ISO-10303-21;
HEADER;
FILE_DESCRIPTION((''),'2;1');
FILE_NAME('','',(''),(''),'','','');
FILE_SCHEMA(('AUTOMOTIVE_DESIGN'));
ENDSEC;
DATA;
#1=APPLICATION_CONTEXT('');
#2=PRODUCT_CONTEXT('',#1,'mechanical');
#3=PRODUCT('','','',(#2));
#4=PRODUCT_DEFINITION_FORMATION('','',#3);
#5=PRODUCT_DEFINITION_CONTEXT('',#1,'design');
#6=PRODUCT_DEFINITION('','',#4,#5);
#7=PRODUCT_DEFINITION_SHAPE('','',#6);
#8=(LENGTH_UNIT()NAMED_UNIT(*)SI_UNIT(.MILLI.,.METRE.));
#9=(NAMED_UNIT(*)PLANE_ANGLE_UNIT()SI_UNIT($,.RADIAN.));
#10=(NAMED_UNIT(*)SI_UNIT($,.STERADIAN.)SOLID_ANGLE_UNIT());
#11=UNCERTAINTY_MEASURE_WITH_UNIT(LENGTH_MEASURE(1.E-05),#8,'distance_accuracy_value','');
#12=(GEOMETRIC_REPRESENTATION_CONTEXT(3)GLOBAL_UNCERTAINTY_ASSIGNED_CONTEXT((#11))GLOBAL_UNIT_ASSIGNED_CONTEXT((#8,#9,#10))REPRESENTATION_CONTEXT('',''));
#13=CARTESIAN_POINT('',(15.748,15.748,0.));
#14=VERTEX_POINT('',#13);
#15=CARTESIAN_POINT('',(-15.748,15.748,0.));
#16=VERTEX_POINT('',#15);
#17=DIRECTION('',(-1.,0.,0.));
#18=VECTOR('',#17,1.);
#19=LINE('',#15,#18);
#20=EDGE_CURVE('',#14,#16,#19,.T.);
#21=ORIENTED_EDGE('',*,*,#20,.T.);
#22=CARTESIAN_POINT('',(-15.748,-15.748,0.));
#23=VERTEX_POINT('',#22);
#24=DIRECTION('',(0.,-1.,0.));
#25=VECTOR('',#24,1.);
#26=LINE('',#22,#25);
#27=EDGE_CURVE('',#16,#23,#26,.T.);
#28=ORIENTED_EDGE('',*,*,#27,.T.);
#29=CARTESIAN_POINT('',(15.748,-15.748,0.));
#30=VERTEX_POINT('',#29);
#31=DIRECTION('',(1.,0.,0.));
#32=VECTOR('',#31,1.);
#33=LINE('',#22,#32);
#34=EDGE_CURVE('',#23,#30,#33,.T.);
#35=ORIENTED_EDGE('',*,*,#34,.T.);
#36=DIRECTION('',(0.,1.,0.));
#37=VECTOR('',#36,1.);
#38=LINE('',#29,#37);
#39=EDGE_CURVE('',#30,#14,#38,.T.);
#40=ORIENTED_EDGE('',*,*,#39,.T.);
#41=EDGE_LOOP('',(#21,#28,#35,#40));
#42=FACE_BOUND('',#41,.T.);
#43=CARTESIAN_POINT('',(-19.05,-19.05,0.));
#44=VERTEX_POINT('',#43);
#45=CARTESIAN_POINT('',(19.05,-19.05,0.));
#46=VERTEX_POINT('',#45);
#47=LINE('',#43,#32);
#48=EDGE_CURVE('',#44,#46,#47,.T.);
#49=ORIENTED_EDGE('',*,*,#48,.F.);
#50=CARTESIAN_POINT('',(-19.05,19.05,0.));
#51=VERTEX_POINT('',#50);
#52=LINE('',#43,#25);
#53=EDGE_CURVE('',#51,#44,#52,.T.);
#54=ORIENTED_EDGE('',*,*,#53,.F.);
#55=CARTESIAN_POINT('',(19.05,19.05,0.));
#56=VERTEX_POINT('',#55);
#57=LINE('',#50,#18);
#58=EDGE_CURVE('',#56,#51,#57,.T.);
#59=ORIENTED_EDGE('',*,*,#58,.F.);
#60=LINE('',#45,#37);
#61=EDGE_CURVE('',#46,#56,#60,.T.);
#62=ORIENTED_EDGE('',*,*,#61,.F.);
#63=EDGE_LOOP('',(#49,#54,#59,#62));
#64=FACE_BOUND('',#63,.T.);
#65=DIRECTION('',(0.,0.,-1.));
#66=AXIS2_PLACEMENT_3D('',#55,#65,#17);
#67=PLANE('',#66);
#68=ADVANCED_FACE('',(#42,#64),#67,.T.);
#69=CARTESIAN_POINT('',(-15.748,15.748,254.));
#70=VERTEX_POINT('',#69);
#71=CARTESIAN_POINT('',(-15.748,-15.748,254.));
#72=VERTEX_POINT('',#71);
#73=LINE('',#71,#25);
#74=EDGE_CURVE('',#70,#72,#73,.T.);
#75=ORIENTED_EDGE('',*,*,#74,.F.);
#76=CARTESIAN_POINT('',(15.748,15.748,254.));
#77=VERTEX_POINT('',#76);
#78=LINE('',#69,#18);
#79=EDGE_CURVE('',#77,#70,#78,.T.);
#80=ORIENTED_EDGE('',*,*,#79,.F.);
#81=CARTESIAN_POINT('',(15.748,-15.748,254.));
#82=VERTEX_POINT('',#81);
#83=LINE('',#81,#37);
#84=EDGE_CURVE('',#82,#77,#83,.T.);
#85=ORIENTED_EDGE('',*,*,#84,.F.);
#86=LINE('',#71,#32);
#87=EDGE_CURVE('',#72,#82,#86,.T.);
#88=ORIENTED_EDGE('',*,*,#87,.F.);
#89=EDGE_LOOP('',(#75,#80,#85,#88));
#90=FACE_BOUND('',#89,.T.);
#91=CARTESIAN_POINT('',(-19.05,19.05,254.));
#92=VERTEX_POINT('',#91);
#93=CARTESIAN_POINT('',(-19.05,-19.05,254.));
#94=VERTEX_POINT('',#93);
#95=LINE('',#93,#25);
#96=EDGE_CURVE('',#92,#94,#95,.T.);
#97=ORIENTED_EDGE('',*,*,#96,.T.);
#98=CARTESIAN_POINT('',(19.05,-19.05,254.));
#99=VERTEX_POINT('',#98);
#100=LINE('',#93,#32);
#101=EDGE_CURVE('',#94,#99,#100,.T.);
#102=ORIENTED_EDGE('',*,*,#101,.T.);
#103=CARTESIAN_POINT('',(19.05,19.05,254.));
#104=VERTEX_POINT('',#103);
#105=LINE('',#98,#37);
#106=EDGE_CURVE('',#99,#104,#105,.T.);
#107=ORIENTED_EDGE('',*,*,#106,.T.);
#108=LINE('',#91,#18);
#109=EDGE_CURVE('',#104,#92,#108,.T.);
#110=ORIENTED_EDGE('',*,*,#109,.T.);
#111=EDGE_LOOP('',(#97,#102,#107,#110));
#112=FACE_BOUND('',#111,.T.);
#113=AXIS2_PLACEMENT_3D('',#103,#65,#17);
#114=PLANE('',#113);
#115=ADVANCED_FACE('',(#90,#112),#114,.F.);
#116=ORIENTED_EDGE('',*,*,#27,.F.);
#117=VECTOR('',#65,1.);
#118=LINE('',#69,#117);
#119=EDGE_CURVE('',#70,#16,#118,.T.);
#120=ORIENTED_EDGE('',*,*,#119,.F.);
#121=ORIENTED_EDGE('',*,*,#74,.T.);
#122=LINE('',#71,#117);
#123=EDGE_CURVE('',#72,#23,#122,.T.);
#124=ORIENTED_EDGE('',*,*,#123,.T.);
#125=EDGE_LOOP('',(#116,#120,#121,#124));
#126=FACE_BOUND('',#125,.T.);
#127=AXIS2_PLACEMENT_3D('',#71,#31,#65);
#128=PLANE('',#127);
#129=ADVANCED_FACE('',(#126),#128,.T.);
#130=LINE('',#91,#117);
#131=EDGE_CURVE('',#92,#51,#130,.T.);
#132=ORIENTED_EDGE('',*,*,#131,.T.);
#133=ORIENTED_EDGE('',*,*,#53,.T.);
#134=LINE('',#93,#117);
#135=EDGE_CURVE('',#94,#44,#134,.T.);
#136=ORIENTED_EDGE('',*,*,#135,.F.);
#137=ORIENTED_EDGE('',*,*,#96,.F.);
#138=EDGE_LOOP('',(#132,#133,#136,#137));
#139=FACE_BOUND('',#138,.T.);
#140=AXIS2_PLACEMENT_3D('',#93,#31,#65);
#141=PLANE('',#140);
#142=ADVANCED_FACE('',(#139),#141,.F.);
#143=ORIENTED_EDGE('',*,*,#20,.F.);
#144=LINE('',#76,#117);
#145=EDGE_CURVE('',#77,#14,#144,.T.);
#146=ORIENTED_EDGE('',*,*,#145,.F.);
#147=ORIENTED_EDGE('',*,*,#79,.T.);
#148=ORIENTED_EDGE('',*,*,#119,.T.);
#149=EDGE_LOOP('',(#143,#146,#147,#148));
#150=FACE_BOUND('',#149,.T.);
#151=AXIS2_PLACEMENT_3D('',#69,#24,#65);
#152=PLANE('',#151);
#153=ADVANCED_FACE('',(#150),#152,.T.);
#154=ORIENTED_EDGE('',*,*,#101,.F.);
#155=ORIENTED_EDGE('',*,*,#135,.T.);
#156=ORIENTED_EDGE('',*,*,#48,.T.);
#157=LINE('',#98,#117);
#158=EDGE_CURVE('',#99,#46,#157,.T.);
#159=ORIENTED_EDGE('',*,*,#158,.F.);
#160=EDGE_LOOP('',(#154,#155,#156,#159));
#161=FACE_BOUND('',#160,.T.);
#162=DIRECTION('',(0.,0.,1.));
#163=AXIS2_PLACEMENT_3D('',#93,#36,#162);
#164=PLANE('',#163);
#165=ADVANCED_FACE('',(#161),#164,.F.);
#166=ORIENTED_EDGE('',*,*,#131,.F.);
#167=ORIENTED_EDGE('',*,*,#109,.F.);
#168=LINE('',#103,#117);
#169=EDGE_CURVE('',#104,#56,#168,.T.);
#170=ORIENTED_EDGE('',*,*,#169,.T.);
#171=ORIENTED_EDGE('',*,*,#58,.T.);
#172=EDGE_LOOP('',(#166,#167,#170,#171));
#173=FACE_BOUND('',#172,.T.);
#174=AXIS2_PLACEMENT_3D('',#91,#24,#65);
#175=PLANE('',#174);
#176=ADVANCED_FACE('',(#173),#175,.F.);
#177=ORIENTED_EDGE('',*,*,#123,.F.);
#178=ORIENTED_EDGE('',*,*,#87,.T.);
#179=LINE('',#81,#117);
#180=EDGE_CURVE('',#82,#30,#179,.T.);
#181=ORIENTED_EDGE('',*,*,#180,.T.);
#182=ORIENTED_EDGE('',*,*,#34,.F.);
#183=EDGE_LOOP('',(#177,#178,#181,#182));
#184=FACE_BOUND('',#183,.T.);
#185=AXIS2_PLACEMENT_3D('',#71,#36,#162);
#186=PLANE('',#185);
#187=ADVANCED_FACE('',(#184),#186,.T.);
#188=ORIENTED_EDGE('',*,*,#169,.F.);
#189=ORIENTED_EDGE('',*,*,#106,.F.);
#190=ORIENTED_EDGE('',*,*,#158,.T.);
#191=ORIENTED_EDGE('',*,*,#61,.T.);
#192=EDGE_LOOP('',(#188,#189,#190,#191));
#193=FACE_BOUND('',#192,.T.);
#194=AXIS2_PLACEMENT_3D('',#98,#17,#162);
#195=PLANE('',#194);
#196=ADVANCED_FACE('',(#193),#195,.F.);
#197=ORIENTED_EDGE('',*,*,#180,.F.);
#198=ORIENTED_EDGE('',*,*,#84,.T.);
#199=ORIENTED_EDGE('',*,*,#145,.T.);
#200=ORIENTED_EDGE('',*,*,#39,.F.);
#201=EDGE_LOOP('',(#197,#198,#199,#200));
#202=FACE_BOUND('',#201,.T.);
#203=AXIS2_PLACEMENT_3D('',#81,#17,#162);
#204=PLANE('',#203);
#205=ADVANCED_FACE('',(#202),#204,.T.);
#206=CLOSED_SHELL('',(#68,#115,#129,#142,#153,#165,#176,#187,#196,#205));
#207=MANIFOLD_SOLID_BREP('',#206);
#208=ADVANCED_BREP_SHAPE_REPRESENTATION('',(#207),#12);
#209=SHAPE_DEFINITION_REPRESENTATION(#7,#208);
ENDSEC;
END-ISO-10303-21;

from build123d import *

# Parameters (mm, degrees)
SKETCH1_W      = 38.1
SKETCH1_H      = 38.1
SKETCH1_W_2    = 31.496
SKETCH1_H_2    = 31.496
EXTRUDE1_DEPTH = 254


with BuildPart() as part:
    # Sketch1 → Extrude1 (new body)
    with BuildSketch(Plane.XY):
        Rectangle(SKETCH1_W, SKETCH1_H)
        Rectangle(SKETCH1_W_2, SKETCH1_H_2, mode=Mode.SUBTRACT)
    extrude(amount=EXTRUDE1_DEPTH)


solid = part.part
